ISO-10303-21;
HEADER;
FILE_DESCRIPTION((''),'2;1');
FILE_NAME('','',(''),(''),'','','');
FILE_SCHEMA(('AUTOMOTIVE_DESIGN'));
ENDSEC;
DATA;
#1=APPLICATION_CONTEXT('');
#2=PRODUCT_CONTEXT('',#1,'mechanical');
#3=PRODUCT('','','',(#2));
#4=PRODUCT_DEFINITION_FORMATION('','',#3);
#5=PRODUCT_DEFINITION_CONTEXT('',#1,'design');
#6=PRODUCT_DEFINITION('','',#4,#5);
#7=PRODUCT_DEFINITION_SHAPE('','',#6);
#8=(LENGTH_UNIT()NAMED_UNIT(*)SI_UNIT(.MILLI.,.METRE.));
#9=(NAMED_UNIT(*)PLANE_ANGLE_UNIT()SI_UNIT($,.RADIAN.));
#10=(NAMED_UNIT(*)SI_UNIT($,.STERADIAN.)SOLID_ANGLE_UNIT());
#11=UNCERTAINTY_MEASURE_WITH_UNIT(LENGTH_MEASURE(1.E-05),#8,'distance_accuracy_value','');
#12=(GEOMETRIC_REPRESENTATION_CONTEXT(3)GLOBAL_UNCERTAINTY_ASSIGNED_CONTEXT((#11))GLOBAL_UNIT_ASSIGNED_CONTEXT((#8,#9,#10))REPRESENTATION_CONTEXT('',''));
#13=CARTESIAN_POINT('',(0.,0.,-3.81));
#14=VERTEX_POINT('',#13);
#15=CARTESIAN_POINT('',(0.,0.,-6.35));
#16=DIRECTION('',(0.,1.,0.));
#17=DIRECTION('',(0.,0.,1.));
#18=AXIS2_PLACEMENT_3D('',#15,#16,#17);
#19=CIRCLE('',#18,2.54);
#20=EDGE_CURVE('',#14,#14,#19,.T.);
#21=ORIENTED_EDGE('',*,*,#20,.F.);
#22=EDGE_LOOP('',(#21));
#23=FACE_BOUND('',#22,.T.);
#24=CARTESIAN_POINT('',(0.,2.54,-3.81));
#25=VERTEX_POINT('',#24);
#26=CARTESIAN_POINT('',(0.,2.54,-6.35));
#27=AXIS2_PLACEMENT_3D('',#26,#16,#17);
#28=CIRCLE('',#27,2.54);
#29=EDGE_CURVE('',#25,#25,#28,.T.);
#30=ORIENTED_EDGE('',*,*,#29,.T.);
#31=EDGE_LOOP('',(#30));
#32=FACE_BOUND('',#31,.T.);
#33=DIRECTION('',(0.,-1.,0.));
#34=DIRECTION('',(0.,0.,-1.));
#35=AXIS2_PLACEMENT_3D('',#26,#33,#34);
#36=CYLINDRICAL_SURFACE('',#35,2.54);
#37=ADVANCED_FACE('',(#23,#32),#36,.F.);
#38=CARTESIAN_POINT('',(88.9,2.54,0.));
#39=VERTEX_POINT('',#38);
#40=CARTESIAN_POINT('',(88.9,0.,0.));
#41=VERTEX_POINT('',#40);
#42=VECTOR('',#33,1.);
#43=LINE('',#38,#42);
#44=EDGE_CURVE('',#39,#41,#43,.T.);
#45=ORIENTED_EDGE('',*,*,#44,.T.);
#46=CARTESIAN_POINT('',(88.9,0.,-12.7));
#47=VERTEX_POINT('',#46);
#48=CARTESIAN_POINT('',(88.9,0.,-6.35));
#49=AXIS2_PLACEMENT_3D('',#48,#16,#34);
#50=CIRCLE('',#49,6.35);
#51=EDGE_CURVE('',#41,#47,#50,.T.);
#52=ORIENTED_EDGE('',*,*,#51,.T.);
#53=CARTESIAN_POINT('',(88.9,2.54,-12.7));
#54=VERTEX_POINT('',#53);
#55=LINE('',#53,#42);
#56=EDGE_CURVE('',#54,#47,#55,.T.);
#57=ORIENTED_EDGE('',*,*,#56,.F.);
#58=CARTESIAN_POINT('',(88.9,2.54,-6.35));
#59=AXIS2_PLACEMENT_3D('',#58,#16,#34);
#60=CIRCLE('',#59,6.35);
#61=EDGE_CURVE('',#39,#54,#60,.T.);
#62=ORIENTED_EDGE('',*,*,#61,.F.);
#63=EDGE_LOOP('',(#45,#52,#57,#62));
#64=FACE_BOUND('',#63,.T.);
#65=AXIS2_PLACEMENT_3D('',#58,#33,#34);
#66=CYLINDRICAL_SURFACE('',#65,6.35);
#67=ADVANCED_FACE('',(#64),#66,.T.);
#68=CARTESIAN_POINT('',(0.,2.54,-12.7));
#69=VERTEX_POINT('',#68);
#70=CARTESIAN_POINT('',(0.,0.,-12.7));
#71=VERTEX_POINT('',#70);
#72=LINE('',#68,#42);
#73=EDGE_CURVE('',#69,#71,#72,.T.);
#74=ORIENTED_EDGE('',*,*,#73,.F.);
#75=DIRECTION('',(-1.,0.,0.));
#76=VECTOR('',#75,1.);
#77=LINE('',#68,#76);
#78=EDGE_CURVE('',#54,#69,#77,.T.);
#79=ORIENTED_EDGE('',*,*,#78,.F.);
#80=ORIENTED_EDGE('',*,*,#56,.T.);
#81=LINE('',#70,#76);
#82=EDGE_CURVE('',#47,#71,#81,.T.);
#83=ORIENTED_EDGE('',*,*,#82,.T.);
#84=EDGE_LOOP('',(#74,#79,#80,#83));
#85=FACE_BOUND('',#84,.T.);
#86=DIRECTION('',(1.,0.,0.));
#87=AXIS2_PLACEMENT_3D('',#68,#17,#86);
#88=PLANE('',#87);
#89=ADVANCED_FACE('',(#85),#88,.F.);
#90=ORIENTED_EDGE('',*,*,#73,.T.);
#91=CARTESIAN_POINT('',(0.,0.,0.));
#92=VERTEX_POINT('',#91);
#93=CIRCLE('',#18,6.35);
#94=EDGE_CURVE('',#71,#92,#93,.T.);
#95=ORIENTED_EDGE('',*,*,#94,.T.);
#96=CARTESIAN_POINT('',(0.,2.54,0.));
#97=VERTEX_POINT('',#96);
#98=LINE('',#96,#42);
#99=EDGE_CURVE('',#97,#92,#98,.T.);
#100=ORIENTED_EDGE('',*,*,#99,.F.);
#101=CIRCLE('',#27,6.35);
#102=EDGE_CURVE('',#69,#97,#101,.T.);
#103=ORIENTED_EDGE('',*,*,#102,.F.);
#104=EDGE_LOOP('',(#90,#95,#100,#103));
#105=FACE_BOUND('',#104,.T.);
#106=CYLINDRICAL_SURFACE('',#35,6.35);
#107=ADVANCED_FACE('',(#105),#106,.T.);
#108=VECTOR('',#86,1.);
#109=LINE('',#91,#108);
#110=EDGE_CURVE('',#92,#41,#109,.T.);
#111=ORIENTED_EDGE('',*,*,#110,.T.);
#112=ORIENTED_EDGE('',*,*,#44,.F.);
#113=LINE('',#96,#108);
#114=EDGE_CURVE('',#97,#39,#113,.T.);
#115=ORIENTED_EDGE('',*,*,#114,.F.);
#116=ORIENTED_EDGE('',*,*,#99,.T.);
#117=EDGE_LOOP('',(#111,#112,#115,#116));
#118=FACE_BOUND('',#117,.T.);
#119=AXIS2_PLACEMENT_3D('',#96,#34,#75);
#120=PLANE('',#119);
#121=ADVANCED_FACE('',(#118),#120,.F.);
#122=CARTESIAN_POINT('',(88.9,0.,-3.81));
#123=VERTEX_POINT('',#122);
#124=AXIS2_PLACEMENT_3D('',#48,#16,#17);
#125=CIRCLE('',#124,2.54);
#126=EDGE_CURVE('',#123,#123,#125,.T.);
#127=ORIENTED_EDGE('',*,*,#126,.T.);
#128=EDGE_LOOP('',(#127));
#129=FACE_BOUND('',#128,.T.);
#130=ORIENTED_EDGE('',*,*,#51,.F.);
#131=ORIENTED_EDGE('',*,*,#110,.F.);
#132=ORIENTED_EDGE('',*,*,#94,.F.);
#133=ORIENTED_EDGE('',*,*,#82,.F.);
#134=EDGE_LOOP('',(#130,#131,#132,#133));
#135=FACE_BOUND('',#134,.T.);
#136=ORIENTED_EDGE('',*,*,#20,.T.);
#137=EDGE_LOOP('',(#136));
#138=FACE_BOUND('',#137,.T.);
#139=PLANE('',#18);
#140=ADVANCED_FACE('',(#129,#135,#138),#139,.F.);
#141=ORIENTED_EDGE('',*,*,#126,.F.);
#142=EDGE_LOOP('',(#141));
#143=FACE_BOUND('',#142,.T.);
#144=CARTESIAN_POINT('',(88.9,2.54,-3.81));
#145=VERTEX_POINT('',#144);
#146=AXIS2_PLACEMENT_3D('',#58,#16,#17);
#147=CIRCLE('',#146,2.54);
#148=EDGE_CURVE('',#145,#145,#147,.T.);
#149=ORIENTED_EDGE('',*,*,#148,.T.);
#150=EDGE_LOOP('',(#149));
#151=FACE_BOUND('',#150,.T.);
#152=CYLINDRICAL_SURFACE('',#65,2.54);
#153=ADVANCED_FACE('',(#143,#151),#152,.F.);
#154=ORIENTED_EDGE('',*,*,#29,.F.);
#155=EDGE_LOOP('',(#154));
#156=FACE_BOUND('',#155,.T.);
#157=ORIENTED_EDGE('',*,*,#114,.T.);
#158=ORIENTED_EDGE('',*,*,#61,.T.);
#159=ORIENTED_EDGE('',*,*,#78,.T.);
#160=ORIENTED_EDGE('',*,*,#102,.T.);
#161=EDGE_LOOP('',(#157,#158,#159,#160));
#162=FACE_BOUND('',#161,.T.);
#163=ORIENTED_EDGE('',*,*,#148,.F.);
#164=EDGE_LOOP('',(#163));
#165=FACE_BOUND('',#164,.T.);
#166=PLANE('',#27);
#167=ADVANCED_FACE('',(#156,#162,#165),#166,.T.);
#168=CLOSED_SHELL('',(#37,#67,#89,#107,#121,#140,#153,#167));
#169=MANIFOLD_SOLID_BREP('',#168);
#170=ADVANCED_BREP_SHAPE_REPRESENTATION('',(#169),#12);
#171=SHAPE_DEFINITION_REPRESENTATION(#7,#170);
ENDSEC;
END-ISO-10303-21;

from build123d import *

# Parameters (mm, degrees)
SKETCH1_R           = 2.54
BOSS_EXTRUDE2_DEPTH = 2.54


with BuildPart() as part:
    # Sketch1 → Boss-Extrude2 (new body)
    with BuildSketch(Plane(origin=(0, 0, 0), x_dir=(1, 0, 0), z_dir=(0, 1, 0))):
        with BuildLine():
            Line((0, 0), (88.9, 0))
            ThreePointArc((88.9, 0), (95.25, 6.35), (88.9, 12.7))
            Line((88.9, 12.7), (0, 12.7))
            ThreePointArc((0, 12.7), (-6.35, 6.35), (0, 0))
        make_face()
        with Locations(Location((0, 6.35, 0), (0, 0, 270))):
            Circle(SKETCH1_R, mode=Mode.SUBTRACT)
        with Locations(Location((88.9, 6.35, 0), (0, 0, 270))):
            Circle(SKETCH1_R, mode=Mode.SUBTRACT)
    extrude(amount=BOSS_EXTRUDE2_DEPTH)


solid = part.part
